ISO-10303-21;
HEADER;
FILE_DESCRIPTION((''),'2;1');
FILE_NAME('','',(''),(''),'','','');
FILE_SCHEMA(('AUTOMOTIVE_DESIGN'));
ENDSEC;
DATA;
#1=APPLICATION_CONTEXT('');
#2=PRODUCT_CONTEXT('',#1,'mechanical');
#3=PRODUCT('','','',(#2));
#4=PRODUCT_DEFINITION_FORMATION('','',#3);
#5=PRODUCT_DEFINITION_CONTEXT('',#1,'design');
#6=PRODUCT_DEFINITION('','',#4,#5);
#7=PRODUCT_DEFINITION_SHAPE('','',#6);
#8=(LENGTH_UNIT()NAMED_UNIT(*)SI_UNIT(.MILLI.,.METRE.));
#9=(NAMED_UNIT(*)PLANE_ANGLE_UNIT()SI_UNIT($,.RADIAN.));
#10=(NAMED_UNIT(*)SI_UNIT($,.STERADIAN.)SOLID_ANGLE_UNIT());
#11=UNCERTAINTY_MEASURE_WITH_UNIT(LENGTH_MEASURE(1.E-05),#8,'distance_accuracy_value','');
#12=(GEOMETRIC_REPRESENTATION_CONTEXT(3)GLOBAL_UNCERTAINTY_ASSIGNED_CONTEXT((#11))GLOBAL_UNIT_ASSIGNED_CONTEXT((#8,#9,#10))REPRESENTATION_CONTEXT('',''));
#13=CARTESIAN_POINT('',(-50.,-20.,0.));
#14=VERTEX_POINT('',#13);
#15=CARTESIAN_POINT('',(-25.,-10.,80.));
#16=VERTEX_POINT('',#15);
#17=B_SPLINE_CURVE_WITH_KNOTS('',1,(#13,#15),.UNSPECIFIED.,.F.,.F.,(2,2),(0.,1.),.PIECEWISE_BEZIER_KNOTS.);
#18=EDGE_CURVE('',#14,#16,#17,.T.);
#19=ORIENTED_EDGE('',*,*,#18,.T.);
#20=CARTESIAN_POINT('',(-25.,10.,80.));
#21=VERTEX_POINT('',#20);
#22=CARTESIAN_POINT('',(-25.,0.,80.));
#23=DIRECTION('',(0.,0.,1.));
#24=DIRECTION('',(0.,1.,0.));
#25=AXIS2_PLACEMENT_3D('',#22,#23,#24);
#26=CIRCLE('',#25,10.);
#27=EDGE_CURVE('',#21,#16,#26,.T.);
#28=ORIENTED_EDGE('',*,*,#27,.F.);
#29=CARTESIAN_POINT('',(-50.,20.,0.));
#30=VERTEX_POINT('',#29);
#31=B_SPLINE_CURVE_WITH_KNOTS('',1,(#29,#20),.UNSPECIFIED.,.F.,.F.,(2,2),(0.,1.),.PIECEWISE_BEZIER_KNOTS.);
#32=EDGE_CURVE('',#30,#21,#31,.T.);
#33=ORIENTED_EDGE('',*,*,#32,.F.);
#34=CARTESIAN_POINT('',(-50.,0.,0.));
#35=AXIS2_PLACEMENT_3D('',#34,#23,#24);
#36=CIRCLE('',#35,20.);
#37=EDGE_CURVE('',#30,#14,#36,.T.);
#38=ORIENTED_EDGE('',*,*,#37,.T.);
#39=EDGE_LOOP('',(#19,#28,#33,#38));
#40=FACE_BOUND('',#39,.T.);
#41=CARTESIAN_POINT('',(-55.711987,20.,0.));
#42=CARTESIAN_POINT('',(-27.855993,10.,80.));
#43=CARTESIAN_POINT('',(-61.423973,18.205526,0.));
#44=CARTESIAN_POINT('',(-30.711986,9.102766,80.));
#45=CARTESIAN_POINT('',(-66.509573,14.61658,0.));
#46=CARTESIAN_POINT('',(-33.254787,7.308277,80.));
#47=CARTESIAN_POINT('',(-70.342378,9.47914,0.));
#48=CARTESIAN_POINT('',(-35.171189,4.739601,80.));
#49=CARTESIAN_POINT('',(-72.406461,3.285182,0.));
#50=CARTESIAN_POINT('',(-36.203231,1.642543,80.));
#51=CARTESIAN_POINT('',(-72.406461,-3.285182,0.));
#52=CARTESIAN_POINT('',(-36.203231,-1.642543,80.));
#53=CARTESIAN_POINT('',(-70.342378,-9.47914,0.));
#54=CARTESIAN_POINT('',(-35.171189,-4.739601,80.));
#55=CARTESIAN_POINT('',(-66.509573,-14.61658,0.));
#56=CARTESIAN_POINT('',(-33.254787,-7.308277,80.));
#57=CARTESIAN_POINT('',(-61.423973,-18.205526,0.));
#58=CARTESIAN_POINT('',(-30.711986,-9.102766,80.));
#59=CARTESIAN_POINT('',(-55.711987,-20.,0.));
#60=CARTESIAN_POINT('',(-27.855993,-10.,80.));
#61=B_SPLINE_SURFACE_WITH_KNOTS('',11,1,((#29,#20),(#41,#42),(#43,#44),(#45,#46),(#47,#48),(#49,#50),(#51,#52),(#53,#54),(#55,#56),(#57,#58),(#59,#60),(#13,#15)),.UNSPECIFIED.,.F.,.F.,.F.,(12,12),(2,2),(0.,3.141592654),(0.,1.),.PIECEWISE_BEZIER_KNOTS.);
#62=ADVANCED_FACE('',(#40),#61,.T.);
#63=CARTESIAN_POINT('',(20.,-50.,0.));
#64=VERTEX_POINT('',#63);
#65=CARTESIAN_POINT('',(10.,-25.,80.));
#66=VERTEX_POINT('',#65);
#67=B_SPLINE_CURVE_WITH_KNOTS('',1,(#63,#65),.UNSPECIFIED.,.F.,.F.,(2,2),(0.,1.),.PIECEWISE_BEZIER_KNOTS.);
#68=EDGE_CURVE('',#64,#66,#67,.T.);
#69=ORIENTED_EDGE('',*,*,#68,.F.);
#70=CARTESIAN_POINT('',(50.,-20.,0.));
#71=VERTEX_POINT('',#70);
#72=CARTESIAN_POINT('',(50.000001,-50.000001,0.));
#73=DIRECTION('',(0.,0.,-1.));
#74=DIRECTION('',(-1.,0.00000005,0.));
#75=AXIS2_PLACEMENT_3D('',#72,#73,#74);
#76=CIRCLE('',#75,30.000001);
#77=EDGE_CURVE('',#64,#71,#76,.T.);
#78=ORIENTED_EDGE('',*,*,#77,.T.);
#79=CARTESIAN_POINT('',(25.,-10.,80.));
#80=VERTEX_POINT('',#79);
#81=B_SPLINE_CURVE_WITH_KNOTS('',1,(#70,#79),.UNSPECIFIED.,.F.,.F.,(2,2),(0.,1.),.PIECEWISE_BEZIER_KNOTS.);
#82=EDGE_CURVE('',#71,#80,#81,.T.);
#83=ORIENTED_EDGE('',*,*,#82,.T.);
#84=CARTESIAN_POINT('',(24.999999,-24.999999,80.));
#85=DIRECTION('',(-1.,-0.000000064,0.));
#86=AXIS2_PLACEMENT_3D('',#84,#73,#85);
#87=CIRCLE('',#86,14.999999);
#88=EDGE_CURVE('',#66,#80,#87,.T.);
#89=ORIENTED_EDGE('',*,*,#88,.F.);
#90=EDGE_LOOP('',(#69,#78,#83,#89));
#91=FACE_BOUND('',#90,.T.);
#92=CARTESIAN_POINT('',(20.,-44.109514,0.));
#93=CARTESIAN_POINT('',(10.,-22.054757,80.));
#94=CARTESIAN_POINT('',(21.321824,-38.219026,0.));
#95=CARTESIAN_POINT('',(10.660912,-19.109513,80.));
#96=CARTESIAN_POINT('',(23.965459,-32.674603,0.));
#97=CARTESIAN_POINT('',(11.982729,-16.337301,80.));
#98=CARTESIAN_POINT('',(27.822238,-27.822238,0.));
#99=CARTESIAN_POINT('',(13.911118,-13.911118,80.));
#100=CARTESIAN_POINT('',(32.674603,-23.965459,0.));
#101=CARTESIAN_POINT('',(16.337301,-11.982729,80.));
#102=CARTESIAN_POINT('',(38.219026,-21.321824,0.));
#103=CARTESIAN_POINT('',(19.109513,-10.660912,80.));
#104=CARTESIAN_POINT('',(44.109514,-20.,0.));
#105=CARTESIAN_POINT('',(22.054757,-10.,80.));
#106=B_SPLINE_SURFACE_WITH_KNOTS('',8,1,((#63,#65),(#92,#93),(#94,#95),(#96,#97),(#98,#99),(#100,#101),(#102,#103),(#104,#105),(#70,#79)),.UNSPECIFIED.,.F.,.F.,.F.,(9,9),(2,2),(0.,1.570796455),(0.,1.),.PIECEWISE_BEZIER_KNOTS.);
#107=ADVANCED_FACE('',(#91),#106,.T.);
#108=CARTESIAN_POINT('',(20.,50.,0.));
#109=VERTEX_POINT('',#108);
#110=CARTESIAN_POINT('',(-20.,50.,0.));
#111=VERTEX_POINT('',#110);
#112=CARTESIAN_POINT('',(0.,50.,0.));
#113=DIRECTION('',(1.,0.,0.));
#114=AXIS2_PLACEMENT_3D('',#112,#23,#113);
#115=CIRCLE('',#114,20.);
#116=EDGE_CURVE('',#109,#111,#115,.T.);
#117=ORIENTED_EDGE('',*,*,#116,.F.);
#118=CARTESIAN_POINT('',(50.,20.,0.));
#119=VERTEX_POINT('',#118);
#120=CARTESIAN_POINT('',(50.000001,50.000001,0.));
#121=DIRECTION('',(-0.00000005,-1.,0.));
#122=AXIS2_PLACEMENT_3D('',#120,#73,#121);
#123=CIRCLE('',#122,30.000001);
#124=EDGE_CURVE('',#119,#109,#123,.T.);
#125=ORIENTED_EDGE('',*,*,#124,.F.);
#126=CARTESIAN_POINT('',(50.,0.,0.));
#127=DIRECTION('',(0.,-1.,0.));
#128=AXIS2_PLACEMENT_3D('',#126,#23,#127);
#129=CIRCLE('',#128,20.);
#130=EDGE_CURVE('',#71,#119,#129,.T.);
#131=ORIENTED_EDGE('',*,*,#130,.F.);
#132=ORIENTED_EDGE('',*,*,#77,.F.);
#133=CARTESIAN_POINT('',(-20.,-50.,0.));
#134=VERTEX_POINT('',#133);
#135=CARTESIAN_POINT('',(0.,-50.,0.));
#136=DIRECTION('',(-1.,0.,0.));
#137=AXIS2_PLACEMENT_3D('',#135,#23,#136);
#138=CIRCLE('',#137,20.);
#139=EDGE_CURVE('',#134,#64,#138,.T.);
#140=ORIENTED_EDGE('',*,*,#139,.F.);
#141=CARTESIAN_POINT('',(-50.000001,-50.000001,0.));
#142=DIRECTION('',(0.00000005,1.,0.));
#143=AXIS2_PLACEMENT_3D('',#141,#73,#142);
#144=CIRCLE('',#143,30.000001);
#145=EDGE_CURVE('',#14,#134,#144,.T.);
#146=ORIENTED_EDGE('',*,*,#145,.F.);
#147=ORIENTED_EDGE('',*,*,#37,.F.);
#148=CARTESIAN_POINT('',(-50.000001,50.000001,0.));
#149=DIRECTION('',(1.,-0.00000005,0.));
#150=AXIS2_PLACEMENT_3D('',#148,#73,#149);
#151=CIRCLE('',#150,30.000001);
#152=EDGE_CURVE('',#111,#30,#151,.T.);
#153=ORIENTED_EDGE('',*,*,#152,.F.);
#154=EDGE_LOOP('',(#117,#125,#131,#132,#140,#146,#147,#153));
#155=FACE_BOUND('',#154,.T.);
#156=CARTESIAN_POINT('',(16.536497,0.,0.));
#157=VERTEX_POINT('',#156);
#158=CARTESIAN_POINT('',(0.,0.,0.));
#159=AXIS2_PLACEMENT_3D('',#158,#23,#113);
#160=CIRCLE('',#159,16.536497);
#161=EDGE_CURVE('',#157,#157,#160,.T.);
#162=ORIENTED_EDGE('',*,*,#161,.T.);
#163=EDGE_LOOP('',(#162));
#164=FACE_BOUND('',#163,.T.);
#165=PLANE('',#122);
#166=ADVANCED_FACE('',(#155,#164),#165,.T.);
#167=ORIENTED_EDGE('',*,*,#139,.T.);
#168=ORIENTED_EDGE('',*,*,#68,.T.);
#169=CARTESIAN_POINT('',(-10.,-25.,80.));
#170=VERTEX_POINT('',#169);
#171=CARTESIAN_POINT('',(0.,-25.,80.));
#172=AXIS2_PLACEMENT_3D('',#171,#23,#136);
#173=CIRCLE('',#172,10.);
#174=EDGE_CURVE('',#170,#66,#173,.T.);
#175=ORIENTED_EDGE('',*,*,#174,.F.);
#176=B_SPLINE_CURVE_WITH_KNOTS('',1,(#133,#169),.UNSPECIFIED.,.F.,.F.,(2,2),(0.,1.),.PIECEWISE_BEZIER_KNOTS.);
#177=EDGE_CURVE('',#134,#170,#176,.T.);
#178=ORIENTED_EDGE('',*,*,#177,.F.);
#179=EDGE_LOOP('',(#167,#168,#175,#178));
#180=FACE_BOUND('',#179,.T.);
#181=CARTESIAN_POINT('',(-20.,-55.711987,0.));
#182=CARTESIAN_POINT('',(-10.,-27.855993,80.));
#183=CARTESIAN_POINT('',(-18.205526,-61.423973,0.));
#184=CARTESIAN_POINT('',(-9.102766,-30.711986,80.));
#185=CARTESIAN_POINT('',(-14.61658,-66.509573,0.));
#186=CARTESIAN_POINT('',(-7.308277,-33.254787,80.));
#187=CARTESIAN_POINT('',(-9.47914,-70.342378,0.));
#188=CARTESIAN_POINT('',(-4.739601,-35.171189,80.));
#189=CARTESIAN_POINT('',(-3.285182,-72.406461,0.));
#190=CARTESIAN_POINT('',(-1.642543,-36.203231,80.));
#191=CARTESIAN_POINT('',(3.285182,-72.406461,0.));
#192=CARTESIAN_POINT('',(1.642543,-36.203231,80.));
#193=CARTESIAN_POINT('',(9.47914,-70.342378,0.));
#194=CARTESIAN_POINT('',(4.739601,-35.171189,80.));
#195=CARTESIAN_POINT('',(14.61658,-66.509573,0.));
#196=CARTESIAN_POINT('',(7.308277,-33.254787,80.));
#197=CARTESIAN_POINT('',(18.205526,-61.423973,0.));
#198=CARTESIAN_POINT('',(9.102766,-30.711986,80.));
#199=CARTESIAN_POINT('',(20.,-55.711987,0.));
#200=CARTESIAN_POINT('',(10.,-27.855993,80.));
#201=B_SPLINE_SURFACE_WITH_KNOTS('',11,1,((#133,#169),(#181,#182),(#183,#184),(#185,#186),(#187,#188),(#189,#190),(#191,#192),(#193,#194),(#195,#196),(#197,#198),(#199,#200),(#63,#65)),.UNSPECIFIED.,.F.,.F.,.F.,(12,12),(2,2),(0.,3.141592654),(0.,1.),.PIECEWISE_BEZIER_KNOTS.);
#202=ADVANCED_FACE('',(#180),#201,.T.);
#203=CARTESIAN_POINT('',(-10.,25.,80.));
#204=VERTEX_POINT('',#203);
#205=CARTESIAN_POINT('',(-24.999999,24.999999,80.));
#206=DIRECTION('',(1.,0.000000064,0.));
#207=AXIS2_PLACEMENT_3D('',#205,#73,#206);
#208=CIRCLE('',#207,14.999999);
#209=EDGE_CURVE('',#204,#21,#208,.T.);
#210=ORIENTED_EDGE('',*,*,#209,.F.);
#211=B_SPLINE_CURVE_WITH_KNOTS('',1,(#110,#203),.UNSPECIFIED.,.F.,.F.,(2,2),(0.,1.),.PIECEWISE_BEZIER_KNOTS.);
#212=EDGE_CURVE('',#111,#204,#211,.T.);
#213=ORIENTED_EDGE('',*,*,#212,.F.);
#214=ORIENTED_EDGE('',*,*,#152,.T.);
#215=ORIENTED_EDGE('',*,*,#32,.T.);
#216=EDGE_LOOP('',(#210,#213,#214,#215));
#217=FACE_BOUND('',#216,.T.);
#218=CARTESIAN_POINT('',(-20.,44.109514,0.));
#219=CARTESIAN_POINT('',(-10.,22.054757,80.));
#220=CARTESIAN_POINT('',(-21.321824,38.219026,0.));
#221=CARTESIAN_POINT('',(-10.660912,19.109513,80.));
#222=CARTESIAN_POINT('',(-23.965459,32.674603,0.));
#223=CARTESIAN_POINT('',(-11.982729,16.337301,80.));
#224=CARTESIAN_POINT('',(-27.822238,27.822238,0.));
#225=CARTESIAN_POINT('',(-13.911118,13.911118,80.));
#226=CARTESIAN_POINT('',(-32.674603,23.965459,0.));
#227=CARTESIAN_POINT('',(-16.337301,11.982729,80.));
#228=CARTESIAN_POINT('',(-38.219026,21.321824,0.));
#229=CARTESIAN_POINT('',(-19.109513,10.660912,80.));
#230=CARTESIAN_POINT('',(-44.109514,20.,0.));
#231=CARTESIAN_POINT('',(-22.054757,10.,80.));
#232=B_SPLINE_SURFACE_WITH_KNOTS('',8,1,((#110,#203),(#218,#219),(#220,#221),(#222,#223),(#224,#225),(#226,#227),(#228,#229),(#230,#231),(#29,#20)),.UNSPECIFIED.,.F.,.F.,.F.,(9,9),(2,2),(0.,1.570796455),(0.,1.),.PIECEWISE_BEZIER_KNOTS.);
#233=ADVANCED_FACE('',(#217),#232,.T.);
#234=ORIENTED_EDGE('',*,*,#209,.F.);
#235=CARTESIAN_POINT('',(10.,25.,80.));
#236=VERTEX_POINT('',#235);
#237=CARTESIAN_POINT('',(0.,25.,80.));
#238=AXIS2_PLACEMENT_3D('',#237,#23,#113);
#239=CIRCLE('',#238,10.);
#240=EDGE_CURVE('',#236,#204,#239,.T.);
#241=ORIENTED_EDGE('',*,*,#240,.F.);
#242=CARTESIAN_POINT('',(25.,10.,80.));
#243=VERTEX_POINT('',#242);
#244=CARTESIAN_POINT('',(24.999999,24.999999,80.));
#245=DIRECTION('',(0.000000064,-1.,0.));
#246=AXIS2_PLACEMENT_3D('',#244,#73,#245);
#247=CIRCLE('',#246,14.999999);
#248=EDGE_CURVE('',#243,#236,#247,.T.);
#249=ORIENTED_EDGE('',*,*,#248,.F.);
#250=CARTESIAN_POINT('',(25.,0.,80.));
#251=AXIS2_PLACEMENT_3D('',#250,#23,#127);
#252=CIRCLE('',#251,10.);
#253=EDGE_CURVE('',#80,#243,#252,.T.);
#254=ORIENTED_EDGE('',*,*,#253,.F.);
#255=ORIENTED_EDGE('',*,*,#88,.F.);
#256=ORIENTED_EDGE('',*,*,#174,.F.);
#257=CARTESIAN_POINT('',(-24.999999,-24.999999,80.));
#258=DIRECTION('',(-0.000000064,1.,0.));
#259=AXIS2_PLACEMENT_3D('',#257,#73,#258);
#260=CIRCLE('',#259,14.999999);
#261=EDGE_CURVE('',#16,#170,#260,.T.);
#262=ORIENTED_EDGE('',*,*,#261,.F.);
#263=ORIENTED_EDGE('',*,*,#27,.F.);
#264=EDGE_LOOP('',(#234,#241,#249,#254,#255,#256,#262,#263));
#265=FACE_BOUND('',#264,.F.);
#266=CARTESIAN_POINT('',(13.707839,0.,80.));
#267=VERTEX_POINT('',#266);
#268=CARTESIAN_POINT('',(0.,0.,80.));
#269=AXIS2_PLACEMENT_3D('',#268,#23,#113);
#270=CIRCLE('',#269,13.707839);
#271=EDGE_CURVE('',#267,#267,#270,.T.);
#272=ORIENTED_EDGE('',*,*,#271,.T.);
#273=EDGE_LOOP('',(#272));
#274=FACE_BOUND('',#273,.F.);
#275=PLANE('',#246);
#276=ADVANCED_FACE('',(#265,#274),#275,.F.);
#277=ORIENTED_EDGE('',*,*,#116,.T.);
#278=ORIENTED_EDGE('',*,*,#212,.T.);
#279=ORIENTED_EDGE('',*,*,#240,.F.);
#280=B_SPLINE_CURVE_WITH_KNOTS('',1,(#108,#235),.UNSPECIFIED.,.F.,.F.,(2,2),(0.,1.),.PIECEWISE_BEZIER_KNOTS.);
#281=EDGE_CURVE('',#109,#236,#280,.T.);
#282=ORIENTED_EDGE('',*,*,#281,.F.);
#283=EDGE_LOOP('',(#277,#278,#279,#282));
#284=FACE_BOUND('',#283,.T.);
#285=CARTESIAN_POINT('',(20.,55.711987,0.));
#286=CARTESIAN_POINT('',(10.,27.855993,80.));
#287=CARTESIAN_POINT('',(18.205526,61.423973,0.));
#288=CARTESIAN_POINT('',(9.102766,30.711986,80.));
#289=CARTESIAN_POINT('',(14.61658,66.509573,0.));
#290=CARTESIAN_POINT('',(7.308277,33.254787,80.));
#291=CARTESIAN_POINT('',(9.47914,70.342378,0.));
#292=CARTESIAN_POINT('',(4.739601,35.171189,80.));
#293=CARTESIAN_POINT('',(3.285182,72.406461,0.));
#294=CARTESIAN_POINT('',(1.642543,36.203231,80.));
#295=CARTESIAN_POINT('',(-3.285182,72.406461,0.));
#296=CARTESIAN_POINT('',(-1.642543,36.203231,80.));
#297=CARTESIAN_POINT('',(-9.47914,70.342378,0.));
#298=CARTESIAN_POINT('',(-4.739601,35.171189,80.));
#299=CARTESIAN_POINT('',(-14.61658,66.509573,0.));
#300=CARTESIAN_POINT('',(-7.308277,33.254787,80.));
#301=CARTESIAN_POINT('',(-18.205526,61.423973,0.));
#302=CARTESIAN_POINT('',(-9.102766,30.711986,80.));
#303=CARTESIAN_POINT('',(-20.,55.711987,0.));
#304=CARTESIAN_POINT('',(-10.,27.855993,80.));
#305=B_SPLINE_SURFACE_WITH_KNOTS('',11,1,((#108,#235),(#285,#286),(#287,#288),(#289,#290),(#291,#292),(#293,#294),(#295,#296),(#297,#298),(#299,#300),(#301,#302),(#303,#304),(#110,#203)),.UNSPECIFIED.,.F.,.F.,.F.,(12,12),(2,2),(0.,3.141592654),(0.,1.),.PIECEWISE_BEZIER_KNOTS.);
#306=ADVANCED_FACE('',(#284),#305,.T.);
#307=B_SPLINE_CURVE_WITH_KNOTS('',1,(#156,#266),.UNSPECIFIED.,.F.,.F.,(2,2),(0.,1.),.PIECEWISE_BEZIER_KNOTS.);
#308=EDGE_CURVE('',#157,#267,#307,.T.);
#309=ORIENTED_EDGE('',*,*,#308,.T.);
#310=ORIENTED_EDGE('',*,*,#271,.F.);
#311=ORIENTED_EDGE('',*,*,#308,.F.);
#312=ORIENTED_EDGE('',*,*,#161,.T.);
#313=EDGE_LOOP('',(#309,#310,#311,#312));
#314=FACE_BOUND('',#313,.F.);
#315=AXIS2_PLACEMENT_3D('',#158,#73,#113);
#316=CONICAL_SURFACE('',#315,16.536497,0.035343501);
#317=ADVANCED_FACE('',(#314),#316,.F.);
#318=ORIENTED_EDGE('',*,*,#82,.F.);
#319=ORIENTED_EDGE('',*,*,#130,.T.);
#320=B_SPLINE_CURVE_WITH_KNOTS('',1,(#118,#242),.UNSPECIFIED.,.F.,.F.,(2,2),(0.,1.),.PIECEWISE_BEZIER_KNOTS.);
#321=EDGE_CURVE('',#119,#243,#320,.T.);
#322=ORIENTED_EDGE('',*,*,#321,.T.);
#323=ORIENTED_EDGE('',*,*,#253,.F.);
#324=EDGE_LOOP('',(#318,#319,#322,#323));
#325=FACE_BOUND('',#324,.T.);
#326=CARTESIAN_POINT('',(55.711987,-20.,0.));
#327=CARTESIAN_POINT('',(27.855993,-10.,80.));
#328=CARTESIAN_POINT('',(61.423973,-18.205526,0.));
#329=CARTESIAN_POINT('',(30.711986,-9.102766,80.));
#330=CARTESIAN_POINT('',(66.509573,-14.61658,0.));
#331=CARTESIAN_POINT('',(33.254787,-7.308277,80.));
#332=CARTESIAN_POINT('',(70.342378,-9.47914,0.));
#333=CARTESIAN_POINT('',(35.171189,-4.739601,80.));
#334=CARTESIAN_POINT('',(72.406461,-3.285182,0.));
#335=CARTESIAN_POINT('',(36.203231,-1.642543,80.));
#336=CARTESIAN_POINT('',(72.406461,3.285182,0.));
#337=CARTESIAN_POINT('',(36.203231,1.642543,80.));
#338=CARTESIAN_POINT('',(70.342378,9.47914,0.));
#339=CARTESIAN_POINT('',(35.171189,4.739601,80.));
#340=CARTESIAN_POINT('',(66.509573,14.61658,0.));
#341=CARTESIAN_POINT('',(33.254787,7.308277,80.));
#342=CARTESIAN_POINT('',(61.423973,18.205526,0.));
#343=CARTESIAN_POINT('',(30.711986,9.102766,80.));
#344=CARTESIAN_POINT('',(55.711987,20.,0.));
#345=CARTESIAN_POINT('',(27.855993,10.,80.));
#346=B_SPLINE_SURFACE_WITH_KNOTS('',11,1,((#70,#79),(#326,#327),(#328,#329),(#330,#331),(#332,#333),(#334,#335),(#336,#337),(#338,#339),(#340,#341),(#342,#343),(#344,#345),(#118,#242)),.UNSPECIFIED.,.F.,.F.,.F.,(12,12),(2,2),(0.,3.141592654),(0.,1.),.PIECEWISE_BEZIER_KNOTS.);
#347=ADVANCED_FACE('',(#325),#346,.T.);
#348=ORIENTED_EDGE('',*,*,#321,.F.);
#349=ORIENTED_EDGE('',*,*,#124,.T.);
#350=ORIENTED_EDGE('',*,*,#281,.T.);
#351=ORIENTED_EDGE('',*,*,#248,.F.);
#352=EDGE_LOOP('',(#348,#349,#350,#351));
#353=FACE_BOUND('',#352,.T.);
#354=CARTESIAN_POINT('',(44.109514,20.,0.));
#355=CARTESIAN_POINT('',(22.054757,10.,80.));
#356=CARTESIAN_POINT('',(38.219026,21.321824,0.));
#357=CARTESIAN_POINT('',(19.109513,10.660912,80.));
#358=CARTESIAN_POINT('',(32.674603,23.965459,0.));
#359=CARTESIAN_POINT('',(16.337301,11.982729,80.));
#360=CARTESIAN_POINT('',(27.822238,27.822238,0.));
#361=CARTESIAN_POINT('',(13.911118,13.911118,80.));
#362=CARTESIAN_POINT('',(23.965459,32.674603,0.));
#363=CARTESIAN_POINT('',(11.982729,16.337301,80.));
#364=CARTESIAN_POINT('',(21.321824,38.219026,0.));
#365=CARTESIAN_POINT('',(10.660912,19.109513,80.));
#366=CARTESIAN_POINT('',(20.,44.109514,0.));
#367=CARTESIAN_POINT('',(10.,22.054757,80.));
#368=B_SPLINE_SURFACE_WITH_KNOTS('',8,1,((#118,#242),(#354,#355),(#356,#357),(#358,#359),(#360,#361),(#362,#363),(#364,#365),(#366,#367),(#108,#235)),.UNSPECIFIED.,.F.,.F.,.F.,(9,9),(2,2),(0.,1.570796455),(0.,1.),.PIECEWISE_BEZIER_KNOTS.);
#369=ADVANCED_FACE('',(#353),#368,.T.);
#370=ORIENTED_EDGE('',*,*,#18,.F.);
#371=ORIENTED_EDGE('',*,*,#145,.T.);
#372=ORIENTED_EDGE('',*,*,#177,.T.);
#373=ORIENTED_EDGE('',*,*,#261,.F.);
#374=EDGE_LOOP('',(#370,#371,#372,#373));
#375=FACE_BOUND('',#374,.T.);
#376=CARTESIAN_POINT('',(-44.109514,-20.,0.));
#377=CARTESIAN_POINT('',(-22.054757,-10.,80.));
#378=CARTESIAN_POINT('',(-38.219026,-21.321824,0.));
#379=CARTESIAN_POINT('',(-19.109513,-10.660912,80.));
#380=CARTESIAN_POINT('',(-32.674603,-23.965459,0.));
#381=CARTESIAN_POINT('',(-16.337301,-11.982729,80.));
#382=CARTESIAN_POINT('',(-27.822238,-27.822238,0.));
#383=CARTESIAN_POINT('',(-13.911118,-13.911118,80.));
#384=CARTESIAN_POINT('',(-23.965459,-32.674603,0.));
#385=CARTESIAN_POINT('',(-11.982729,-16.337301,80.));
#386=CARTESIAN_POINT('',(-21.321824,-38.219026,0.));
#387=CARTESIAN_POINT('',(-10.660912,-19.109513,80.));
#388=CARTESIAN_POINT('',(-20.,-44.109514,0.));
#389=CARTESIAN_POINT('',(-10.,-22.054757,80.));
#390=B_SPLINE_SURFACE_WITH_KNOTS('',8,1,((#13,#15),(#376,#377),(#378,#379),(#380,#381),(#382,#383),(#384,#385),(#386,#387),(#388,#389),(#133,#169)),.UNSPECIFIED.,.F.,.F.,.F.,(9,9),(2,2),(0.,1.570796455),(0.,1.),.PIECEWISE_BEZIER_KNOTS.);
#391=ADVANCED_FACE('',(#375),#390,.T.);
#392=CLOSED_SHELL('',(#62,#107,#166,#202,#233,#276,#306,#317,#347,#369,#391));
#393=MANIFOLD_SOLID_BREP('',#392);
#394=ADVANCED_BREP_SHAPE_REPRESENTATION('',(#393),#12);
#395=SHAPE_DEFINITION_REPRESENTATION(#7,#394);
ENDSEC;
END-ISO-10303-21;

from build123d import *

# Parameters (mm, degrees)
F5_R = 16.536497
F6_R = 13.707839


with BuildPart() as f4:
    # F0 (on Top) → F4 section 0
    with BuildSketch(Plane.XY):
        with BuildLine():
            ThreePointArc((50, 20), (28.786797, 28.786797), (20, 50))
            ThreePointArc((20, 50), (0, 70), (-20, 50))
            ThreePointArc((-20, 50), (-28.786797, 28.786797), (-50, 20))
            ThreePointArc((-50, 20), (-70, 0), (-50, -20))
            ThreePointArc((-50, -20), (-28.786797, -28.786797), (-20, -50))
            ThreePointArc((-20, -50), (0, -70), (20, -50))
            ThreePointArc((20, -50), (28.786797, -28.786797), (50, -20))
            ThreePointArc((50, -20), (70, 0), (50, 20))
        make_face()
    # F3 (on plane+point) → F4 section 1
    with BuildSketch(Plane.XY.offset(80)):
        with BuildLine():
            ThreePointArc((25, 10), (14.393398, 14.393398), (10, 25))
            ThreePointArc((10, 25), (0, 35), (-10, 25))
            ThreePointArc((-10, 25), (-14.393398, 14.393398), (-25, 10))
            ThreePointArc((-25, 10), (-35, 0), (-25, -10))
            ThreePointArc((-25, -10), (-14.393398, -14.393398), (-10, -25))
            ThreePointArc((-10, -25), (0, -35), (10, -25))
            ThreePointArc((10, -25), (14.393398, -14.393398), (25, -10))
            ThreePointArc((25, -10), (35, 0), (25, 10))
        make_face()
    loft()

    # F5 (on Top) → F7 section 0
    with BuildSketch(Plane.XY):
        Circle(F5_R)
    # F6 (on face) → F7 section 1
    with BuildSketch(Plane.XY.offset(80)):
        Circle(F6_R)
    loft(mode=Mode.SUBTRACT)


solid = f4.part
